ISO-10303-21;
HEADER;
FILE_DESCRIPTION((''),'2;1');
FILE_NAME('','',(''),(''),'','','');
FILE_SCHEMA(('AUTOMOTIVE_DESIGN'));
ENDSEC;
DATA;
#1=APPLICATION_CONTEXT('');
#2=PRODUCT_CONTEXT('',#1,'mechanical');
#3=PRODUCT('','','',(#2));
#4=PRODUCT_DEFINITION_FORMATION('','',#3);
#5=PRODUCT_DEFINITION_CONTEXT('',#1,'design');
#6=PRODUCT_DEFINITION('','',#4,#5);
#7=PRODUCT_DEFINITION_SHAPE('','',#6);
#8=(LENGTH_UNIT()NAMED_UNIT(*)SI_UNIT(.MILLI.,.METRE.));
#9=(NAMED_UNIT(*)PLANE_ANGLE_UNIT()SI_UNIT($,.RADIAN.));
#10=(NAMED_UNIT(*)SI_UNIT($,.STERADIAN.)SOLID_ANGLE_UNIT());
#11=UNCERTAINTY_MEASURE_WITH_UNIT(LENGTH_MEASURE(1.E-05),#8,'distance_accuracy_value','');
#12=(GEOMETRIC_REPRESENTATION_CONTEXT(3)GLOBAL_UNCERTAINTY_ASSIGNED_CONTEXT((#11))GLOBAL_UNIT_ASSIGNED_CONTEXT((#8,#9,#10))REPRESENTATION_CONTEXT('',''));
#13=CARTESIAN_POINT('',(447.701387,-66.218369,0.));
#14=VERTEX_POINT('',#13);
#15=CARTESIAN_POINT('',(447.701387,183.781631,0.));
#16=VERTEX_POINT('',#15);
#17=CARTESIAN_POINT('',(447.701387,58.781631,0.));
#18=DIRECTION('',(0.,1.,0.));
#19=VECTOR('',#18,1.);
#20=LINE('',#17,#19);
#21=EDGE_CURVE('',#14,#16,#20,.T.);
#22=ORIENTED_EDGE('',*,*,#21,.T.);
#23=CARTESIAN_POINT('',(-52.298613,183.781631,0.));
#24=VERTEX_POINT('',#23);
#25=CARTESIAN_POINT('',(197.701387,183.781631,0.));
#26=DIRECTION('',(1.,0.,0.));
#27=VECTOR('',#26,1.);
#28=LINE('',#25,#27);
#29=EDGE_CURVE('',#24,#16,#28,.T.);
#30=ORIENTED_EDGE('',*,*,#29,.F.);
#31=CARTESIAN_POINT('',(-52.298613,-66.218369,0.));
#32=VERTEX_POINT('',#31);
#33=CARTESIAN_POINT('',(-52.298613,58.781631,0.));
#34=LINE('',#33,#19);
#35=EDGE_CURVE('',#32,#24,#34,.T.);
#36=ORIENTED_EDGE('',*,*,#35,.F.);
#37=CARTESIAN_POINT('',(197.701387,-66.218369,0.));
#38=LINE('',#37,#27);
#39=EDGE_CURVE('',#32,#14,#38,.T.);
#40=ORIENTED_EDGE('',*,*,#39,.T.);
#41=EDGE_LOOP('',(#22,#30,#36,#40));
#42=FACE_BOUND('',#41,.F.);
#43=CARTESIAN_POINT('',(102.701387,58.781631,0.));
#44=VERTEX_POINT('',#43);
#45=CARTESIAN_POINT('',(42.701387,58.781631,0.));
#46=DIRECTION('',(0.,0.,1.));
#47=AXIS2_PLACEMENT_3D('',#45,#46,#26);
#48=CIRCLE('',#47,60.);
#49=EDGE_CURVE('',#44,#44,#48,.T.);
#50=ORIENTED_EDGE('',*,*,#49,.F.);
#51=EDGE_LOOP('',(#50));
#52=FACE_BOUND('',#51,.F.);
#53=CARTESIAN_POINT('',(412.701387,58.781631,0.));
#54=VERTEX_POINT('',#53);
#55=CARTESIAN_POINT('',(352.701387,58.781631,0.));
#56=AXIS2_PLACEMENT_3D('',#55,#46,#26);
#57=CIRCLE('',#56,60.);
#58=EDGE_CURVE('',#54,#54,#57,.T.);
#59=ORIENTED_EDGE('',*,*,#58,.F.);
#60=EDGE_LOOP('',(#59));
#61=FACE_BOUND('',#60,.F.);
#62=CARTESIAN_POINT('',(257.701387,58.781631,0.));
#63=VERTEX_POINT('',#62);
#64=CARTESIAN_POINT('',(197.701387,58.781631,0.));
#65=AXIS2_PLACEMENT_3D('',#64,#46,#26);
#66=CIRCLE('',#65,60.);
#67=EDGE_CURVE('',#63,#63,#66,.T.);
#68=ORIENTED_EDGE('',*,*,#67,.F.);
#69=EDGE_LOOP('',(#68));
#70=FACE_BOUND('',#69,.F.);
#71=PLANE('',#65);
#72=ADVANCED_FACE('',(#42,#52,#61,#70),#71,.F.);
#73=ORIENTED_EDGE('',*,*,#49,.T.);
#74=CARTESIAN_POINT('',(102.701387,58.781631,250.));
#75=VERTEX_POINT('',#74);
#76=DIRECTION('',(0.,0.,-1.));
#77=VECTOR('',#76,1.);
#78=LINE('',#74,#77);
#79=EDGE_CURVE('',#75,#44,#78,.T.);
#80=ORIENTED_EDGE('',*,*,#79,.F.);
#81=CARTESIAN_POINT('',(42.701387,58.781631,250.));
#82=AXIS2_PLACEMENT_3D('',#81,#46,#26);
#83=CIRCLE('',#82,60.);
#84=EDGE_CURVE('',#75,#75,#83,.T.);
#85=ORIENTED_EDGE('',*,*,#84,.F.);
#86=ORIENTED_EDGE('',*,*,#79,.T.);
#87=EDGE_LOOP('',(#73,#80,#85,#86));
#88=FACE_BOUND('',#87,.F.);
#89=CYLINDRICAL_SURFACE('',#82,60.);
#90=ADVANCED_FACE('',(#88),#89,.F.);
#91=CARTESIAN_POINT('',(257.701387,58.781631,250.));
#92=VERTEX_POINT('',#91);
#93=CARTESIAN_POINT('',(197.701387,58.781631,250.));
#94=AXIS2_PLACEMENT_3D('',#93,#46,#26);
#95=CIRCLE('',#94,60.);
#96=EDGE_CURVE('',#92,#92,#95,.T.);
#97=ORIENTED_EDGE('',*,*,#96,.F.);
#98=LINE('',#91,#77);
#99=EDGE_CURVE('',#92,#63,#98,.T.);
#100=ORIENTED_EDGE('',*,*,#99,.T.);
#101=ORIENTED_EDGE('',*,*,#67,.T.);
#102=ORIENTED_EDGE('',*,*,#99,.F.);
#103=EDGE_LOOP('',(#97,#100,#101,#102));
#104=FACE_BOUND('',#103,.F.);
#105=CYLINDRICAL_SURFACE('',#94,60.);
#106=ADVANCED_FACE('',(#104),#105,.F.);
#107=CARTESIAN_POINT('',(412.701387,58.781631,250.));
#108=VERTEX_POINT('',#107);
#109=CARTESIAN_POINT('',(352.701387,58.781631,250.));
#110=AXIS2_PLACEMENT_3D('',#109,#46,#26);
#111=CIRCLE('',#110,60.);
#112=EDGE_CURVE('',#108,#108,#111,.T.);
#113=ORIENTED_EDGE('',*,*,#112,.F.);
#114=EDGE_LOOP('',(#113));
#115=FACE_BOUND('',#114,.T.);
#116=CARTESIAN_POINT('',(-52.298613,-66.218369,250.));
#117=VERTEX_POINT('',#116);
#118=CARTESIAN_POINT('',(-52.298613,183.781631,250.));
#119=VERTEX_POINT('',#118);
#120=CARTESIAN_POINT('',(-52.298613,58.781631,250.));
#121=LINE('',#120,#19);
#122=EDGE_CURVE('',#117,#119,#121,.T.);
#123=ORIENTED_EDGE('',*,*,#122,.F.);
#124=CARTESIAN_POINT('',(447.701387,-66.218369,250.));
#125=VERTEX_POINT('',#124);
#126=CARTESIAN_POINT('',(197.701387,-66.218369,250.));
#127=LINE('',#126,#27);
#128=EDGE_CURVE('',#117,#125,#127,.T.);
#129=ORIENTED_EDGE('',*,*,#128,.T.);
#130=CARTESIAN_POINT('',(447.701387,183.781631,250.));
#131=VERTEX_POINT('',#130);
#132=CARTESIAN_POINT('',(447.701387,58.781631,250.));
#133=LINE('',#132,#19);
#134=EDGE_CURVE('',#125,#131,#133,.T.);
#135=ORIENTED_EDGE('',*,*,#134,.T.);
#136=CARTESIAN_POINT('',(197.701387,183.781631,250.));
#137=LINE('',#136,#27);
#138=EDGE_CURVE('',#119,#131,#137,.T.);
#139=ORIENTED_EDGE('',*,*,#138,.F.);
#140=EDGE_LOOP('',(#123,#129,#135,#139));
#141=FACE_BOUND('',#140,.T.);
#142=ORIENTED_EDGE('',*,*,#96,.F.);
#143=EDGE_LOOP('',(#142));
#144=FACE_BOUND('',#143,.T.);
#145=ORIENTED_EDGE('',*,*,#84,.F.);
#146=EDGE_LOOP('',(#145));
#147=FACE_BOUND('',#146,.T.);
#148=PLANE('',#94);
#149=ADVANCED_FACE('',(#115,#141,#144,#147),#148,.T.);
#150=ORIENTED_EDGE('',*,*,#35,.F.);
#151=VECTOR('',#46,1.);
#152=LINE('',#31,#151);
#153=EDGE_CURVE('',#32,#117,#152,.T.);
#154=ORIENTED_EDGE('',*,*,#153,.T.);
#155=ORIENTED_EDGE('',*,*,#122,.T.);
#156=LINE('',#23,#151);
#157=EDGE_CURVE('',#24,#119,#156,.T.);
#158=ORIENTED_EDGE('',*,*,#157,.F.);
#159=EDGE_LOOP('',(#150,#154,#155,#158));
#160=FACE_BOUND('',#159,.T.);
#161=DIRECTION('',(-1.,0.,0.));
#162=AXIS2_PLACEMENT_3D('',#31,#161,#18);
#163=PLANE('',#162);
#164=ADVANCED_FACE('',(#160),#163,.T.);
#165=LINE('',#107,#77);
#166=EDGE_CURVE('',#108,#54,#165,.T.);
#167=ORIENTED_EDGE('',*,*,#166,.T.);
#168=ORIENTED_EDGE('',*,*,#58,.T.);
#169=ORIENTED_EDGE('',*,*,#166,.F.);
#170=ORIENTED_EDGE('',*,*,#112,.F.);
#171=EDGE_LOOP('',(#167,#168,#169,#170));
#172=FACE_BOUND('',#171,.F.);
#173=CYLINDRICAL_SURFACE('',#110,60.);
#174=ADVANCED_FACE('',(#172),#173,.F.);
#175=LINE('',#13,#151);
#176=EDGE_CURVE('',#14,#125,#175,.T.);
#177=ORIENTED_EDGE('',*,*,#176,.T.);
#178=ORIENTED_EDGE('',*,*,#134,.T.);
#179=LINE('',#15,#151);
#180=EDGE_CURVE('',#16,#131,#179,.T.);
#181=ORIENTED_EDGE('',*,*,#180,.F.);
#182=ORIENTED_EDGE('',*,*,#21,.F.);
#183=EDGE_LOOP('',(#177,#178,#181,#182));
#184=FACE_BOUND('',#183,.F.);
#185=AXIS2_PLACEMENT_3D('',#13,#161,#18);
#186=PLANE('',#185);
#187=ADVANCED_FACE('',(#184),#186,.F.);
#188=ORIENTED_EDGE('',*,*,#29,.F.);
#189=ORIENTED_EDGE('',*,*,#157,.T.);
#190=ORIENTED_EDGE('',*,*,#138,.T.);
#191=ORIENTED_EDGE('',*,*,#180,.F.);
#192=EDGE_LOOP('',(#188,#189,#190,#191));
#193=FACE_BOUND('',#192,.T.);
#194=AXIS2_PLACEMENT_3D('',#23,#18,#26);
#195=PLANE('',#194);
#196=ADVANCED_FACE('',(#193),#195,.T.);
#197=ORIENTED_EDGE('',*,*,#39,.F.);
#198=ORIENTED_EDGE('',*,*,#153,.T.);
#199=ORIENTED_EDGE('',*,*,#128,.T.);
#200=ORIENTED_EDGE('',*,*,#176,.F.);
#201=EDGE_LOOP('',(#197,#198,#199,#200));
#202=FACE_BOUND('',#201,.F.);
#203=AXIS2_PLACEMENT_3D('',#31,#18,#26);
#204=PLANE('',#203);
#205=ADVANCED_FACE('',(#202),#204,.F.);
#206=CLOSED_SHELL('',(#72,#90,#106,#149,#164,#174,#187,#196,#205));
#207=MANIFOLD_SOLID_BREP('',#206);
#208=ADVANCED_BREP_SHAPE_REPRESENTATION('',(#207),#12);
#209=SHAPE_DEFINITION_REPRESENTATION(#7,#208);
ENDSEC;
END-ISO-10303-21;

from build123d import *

# Parameters (mm, degrees)
F0_W     = 500
F0_H     = 250
F1_DEPTH = 250
F2_R     = 60
F3_DEPTH = 250


with BuildPart() as f1:
    # F0 (on Top) → F1 (new body)
    with BuildSketch(Plane.XY):
        with Locations((197.701387, 58.781631)):
            Rectangle(F0_W, F0_H)
    extrude(amount=F1_DEPTH)

    # F2 (on face) → F3 (cut)
    with BuildSketch(Plane.XY.offset(250)):
        with Locations((42.701387, 58.781631)):
            Circle(F2_R)
        with Locations((197.701387, 58.781631)):
            Circle(F2_R)
        with Locations((352.701387, 58.781631)):
            Circle(F2_R)
    extrude(amount=-F3_DEPTH, mode=Mode.SUBTRACT)


solid = f1.part
